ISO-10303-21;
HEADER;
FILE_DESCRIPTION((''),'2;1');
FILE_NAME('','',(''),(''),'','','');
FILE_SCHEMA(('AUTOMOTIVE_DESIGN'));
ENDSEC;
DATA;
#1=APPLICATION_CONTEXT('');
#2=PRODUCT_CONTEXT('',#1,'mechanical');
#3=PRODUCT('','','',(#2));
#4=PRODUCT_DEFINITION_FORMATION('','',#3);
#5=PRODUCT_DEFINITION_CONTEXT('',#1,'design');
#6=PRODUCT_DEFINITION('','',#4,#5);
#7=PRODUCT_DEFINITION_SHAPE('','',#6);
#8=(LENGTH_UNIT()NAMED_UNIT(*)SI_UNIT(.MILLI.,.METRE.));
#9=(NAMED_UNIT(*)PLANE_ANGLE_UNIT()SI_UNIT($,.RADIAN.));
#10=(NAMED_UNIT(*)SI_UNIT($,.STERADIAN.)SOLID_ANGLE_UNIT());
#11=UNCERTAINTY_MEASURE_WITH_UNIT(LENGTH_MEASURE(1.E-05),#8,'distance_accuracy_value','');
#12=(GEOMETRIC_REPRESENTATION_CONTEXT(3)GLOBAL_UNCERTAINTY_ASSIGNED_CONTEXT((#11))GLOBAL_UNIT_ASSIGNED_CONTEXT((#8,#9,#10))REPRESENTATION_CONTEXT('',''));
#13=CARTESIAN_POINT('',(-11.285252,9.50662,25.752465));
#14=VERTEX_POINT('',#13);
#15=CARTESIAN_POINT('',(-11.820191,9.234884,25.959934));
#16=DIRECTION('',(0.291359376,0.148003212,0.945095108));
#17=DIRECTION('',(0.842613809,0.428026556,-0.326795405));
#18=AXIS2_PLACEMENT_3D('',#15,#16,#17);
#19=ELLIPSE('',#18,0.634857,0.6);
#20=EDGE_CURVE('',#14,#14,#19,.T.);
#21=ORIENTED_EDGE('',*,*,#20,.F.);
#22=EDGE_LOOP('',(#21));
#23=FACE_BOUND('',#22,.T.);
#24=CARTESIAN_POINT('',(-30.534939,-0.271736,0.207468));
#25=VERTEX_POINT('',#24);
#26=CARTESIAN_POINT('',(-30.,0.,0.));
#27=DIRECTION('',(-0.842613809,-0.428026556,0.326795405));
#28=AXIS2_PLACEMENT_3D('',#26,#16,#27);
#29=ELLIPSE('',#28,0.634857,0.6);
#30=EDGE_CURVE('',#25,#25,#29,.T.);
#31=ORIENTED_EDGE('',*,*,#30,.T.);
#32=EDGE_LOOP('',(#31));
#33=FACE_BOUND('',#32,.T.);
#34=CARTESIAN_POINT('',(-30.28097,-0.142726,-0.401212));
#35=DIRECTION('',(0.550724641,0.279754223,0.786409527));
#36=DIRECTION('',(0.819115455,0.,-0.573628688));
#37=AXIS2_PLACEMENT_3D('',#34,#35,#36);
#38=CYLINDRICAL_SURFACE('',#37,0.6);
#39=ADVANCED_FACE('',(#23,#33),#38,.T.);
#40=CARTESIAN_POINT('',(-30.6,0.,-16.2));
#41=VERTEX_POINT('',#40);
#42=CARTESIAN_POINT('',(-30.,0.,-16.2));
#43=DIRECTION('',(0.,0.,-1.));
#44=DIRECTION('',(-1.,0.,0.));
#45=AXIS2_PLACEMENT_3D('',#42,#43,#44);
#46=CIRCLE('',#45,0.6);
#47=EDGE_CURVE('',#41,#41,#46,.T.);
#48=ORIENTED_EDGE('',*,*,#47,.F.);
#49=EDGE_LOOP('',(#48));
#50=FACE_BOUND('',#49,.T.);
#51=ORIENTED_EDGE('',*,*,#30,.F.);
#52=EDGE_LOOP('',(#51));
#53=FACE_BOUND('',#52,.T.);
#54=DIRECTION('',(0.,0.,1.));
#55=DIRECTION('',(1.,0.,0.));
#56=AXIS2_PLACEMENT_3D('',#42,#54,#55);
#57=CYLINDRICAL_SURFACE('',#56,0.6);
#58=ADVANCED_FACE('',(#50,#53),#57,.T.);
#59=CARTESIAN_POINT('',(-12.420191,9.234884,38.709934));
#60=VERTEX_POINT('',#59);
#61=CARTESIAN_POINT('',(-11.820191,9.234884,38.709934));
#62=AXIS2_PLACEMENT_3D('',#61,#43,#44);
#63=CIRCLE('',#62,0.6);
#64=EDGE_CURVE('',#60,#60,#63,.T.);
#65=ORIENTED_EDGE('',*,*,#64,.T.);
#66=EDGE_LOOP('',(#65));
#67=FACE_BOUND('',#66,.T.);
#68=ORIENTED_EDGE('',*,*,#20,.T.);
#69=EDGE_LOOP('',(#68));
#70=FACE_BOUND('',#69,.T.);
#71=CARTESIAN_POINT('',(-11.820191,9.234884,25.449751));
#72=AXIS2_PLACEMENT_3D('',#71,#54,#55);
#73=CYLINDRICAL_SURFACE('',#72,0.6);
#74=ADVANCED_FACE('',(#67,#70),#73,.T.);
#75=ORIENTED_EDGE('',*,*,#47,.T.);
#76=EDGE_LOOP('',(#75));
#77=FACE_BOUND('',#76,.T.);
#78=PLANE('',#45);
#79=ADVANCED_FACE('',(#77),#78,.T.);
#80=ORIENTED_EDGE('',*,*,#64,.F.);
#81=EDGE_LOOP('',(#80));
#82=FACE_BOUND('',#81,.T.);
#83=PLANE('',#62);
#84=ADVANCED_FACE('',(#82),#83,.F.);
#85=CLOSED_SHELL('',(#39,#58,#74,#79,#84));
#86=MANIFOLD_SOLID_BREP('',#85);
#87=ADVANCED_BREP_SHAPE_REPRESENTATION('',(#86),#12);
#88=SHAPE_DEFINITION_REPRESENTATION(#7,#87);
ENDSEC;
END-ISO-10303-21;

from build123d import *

# Parameters (mm, degrees)
ROUND_TPU_CORD_1_2_MM_PROFILE_R = 0.6


with BuildPart() as part:
    # Round TPU cord - 1.2 mm: sweep along a curve in space
    with BuildLine() as round_tpu_cord_1_2_mm_path:
        Line((-30, 0, -16.2), (-30, 0, 0))
        Line((-30, 0, 0), (-11.820190771, 9.234884414, 25.959933688))
        Line((-11.820190771, 9.234884414, 25.959933688), (-11.820190771, 9.234884414, 38.709933688))
    # Round TPU cord - 1.2 mm profile (on start of the path) → Round TPU cord - 1.2 mm (sweep)
    with BuildSketch(Plane(origin=(-30, 0, -16.2), x_dir=(1, 0, 0), z_dir=(0, 0, 1))):
        Circle(ROUND_TPU_CORD_1_2_MM_PROFILE_R)
    sweep(path=round_tpu_cord_1_2_mm_path.line, transition=Transition.RIGHT)


solid = part.part
